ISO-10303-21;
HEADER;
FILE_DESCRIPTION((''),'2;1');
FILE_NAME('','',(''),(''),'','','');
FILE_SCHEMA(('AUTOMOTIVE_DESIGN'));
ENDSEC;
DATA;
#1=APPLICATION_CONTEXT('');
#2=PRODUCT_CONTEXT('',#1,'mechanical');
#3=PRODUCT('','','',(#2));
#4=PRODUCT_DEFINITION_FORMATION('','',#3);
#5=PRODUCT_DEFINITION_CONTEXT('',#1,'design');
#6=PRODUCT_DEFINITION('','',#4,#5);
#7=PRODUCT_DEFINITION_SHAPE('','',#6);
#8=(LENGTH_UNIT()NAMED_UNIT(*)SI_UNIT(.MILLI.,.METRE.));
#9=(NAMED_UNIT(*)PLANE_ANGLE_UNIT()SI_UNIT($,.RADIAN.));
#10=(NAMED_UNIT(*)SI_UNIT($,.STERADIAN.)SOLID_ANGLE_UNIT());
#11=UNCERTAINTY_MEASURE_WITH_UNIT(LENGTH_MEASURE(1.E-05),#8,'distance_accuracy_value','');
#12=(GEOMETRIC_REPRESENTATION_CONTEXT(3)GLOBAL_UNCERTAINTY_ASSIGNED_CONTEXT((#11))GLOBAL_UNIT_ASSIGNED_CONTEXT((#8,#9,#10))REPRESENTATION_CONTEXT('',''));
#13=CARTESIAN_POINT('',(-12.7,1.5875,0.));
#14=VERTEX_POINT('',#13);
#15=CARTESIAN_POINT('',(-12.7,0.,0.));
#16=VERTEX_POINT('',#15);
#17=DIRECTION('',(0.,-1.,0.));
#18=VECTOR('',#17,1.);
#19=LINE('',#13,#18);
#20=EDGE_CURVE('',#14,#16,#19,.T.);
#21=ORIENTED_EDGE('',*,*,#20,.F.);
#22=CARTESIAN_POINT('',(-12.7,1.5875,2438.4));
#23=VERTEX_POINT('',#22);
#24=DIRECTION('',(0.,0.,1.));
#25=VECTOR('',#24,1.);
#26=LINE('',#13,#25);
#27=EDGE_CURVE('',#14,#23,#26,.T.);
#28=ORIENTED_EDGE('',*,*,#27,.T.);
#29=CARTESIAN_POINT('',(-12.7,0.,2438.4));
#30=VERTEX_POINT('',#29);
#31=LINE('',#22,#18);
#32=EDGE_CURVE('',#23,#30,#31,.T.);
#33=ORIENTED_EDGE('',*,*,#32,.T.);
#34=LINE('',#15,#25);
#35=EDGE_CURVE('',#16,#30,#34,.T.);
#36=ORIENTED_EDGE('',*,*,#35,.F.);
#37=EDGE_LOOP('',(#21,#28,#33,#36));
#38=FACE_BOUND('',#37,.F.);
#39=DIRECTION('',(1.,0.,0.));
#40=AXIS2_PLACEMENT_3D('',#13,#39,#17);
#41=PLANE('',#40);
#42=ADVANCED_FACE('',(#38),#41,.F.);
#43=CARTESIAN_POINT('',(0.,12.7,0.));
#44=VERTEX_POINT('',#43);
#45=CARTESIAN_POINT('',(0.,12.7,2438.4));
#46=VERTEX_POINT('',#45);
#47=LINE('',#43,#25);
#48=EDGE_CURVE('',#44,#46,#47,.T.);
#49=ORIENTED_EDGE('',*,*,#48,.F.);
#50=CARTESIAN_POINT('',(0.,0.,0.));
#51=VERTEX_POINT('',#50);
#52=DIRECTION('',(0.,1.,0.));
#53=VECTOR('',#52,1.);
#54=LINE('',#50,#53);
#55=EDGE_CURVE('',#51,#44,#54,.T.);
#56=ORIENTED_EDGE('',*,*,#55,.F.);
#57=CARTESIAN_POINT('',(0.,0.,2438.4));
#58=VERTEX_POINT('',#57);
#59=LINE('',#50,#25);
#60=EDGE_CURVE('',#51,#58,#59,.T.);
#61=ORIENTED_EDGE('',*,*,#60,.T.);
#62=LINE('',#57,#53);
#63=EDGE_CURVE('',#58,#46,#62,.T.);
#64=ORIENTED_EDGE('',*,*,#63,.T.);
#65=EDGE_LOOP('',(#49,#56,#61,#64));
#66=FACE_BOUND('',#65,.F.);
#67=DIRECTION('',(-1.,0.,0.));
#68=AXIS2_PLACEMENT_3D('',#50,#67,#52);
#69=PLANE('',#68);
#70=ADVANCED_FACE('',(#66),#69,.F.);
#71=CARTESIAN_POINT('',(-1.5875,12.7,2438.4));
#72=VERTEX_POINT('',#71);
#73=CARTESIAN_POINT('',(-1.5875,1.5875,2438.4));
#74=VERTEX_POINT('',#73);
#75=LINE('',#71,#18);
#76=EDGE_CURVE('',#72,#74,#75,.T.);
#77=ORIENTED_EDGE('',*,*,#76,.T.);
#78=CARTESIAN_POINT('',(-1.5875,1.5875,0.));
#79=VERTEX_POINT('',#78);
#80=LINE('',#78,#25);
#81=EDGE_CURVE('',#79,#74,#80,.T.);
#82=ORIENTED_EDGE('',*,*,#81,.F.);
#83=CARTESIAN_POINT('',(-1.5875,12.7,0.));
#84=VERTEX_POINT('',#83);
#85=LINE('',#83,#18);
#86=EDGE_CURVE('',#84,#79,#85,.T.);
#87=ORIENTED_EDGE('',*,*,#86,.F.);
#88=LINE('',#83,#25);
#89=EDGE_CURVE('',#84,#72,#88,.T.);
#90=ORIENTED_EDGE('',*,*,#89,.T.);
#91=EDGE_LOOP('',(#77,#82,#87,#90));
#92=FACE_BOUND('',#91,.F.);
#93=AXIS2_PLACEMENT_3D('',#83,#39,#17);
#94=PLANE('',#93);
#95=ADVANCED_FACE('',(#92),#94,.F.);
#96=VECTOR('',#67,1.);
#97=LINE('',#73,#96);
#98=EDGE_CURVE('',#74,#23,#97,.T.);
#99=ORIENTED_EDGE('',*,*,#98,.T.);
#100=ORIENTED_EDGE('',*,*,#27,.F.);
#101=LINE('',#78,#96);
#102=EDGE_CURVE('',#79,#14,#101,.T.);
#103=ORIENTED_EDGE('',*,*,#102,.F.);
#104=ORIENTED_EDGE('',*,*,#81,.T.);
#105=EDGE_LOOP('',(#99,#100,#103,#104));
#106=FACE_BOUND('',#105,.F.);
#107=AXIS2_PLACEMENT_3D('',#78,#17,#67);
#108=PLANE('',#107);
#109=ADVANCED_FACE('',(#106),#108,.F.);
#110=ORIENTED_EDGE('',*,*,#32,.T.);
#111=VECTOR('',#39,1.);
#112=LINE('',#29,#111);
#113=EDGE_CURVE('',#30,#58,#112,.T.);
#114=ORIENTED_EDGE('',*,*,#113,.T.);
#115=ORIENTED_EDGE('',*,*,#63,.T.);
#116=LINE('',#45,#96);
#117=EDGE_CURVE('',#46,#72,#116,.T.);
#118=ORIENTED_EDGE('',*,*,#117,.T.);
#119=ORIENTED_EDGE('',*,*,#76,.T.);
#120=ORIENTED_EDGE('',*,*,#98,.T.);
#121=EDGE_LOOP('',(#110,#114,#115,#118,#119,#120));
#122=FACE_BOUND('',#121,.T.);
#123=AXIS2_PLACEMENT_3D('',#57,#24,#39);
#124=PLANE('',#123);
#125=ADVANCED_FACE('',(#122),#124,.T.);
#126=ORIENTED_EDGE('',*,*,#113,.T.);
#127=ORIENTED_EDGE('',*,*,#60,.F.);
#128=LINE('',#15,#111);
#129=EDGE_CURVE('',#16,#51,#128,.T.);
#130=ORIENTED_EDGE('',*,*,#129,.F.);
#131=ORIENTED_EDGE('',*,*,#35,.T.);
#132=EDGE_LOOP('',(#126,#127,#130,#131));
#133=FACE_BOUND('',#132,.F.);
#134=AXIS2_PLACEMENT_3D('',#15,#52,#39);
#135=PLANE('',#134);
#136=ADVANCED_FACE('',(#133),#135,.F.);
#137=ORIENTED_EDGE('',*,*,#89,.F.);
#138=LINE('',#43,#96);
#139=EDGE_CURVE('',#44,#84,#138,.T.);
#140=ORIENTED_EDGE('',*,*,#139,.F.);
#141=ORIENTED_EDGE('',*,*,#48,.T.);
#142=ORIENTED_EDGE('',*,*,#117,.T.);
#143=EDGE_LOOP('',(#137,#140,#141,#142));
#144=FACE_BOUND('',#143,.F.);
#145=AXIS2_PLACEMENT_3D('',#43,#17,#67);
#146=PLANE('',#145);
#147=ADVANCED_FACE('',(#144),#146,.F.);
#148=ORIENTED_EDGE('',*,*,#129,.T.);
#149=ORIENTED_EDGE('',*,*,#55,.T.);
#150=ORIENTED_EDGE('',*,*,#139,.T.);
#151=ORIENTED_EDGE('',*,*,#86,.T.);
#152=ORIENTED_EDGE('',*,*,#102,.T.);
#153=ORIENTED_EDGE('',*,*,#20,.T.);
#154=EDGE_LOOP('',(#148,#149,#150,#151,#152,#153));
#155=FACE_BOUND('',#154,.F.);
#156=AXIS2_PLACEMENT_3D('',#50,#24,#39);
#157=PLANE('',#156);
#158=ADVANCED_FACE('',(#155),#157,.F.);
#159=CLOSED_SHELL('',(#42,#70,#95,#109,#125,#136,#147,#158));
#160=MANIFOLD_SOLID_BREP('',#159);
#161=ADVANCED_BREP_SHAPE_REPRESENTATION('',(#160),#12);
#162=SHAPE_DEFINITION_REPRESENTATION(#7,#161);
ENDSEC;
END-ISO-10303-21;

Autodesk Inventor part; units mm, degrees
ref_plane "YZ Plane" through (0, 0, 0) normal (1, 0, 0) x (0, 1, 0)
ref_plane "XZ Plane" through (0, 0, 0) normal (0, 1, 0) x (-1, 0, 0)
ref_plane "XY Plane" through (0, 0, 0) normal (0, 0, 1) x (1, 0, 0)
sketch "Sketch1" plane through (0, 0, 0) normal (0, 0, 1) x (1, 0, 0)
  line L0 (0, 0) -> (0, 12.7)
  line L1 (0, 12.7) -> (-1.5875, 12.7)
  line L2 (-1.5875, 12.7) -> (-1.5875, 1.5875)
  line L3 (-1.5875, 1.5875) -> (-12.7, 1.5875)
  line L4 (-12.7, 1.5875) -> (-12.7, 0)
  line L5 (-12.7, 0) -> (0, 0)
  dimension "d0" = 12.7
  dimension "d1" = 1.5875
  dimension "d2" = 11.1125
  dimension "d3" = 11.1125
extrude "Extrusion1" add sketch "Sketch1" along normal blind 2438.4
properties part number "LongL96"
